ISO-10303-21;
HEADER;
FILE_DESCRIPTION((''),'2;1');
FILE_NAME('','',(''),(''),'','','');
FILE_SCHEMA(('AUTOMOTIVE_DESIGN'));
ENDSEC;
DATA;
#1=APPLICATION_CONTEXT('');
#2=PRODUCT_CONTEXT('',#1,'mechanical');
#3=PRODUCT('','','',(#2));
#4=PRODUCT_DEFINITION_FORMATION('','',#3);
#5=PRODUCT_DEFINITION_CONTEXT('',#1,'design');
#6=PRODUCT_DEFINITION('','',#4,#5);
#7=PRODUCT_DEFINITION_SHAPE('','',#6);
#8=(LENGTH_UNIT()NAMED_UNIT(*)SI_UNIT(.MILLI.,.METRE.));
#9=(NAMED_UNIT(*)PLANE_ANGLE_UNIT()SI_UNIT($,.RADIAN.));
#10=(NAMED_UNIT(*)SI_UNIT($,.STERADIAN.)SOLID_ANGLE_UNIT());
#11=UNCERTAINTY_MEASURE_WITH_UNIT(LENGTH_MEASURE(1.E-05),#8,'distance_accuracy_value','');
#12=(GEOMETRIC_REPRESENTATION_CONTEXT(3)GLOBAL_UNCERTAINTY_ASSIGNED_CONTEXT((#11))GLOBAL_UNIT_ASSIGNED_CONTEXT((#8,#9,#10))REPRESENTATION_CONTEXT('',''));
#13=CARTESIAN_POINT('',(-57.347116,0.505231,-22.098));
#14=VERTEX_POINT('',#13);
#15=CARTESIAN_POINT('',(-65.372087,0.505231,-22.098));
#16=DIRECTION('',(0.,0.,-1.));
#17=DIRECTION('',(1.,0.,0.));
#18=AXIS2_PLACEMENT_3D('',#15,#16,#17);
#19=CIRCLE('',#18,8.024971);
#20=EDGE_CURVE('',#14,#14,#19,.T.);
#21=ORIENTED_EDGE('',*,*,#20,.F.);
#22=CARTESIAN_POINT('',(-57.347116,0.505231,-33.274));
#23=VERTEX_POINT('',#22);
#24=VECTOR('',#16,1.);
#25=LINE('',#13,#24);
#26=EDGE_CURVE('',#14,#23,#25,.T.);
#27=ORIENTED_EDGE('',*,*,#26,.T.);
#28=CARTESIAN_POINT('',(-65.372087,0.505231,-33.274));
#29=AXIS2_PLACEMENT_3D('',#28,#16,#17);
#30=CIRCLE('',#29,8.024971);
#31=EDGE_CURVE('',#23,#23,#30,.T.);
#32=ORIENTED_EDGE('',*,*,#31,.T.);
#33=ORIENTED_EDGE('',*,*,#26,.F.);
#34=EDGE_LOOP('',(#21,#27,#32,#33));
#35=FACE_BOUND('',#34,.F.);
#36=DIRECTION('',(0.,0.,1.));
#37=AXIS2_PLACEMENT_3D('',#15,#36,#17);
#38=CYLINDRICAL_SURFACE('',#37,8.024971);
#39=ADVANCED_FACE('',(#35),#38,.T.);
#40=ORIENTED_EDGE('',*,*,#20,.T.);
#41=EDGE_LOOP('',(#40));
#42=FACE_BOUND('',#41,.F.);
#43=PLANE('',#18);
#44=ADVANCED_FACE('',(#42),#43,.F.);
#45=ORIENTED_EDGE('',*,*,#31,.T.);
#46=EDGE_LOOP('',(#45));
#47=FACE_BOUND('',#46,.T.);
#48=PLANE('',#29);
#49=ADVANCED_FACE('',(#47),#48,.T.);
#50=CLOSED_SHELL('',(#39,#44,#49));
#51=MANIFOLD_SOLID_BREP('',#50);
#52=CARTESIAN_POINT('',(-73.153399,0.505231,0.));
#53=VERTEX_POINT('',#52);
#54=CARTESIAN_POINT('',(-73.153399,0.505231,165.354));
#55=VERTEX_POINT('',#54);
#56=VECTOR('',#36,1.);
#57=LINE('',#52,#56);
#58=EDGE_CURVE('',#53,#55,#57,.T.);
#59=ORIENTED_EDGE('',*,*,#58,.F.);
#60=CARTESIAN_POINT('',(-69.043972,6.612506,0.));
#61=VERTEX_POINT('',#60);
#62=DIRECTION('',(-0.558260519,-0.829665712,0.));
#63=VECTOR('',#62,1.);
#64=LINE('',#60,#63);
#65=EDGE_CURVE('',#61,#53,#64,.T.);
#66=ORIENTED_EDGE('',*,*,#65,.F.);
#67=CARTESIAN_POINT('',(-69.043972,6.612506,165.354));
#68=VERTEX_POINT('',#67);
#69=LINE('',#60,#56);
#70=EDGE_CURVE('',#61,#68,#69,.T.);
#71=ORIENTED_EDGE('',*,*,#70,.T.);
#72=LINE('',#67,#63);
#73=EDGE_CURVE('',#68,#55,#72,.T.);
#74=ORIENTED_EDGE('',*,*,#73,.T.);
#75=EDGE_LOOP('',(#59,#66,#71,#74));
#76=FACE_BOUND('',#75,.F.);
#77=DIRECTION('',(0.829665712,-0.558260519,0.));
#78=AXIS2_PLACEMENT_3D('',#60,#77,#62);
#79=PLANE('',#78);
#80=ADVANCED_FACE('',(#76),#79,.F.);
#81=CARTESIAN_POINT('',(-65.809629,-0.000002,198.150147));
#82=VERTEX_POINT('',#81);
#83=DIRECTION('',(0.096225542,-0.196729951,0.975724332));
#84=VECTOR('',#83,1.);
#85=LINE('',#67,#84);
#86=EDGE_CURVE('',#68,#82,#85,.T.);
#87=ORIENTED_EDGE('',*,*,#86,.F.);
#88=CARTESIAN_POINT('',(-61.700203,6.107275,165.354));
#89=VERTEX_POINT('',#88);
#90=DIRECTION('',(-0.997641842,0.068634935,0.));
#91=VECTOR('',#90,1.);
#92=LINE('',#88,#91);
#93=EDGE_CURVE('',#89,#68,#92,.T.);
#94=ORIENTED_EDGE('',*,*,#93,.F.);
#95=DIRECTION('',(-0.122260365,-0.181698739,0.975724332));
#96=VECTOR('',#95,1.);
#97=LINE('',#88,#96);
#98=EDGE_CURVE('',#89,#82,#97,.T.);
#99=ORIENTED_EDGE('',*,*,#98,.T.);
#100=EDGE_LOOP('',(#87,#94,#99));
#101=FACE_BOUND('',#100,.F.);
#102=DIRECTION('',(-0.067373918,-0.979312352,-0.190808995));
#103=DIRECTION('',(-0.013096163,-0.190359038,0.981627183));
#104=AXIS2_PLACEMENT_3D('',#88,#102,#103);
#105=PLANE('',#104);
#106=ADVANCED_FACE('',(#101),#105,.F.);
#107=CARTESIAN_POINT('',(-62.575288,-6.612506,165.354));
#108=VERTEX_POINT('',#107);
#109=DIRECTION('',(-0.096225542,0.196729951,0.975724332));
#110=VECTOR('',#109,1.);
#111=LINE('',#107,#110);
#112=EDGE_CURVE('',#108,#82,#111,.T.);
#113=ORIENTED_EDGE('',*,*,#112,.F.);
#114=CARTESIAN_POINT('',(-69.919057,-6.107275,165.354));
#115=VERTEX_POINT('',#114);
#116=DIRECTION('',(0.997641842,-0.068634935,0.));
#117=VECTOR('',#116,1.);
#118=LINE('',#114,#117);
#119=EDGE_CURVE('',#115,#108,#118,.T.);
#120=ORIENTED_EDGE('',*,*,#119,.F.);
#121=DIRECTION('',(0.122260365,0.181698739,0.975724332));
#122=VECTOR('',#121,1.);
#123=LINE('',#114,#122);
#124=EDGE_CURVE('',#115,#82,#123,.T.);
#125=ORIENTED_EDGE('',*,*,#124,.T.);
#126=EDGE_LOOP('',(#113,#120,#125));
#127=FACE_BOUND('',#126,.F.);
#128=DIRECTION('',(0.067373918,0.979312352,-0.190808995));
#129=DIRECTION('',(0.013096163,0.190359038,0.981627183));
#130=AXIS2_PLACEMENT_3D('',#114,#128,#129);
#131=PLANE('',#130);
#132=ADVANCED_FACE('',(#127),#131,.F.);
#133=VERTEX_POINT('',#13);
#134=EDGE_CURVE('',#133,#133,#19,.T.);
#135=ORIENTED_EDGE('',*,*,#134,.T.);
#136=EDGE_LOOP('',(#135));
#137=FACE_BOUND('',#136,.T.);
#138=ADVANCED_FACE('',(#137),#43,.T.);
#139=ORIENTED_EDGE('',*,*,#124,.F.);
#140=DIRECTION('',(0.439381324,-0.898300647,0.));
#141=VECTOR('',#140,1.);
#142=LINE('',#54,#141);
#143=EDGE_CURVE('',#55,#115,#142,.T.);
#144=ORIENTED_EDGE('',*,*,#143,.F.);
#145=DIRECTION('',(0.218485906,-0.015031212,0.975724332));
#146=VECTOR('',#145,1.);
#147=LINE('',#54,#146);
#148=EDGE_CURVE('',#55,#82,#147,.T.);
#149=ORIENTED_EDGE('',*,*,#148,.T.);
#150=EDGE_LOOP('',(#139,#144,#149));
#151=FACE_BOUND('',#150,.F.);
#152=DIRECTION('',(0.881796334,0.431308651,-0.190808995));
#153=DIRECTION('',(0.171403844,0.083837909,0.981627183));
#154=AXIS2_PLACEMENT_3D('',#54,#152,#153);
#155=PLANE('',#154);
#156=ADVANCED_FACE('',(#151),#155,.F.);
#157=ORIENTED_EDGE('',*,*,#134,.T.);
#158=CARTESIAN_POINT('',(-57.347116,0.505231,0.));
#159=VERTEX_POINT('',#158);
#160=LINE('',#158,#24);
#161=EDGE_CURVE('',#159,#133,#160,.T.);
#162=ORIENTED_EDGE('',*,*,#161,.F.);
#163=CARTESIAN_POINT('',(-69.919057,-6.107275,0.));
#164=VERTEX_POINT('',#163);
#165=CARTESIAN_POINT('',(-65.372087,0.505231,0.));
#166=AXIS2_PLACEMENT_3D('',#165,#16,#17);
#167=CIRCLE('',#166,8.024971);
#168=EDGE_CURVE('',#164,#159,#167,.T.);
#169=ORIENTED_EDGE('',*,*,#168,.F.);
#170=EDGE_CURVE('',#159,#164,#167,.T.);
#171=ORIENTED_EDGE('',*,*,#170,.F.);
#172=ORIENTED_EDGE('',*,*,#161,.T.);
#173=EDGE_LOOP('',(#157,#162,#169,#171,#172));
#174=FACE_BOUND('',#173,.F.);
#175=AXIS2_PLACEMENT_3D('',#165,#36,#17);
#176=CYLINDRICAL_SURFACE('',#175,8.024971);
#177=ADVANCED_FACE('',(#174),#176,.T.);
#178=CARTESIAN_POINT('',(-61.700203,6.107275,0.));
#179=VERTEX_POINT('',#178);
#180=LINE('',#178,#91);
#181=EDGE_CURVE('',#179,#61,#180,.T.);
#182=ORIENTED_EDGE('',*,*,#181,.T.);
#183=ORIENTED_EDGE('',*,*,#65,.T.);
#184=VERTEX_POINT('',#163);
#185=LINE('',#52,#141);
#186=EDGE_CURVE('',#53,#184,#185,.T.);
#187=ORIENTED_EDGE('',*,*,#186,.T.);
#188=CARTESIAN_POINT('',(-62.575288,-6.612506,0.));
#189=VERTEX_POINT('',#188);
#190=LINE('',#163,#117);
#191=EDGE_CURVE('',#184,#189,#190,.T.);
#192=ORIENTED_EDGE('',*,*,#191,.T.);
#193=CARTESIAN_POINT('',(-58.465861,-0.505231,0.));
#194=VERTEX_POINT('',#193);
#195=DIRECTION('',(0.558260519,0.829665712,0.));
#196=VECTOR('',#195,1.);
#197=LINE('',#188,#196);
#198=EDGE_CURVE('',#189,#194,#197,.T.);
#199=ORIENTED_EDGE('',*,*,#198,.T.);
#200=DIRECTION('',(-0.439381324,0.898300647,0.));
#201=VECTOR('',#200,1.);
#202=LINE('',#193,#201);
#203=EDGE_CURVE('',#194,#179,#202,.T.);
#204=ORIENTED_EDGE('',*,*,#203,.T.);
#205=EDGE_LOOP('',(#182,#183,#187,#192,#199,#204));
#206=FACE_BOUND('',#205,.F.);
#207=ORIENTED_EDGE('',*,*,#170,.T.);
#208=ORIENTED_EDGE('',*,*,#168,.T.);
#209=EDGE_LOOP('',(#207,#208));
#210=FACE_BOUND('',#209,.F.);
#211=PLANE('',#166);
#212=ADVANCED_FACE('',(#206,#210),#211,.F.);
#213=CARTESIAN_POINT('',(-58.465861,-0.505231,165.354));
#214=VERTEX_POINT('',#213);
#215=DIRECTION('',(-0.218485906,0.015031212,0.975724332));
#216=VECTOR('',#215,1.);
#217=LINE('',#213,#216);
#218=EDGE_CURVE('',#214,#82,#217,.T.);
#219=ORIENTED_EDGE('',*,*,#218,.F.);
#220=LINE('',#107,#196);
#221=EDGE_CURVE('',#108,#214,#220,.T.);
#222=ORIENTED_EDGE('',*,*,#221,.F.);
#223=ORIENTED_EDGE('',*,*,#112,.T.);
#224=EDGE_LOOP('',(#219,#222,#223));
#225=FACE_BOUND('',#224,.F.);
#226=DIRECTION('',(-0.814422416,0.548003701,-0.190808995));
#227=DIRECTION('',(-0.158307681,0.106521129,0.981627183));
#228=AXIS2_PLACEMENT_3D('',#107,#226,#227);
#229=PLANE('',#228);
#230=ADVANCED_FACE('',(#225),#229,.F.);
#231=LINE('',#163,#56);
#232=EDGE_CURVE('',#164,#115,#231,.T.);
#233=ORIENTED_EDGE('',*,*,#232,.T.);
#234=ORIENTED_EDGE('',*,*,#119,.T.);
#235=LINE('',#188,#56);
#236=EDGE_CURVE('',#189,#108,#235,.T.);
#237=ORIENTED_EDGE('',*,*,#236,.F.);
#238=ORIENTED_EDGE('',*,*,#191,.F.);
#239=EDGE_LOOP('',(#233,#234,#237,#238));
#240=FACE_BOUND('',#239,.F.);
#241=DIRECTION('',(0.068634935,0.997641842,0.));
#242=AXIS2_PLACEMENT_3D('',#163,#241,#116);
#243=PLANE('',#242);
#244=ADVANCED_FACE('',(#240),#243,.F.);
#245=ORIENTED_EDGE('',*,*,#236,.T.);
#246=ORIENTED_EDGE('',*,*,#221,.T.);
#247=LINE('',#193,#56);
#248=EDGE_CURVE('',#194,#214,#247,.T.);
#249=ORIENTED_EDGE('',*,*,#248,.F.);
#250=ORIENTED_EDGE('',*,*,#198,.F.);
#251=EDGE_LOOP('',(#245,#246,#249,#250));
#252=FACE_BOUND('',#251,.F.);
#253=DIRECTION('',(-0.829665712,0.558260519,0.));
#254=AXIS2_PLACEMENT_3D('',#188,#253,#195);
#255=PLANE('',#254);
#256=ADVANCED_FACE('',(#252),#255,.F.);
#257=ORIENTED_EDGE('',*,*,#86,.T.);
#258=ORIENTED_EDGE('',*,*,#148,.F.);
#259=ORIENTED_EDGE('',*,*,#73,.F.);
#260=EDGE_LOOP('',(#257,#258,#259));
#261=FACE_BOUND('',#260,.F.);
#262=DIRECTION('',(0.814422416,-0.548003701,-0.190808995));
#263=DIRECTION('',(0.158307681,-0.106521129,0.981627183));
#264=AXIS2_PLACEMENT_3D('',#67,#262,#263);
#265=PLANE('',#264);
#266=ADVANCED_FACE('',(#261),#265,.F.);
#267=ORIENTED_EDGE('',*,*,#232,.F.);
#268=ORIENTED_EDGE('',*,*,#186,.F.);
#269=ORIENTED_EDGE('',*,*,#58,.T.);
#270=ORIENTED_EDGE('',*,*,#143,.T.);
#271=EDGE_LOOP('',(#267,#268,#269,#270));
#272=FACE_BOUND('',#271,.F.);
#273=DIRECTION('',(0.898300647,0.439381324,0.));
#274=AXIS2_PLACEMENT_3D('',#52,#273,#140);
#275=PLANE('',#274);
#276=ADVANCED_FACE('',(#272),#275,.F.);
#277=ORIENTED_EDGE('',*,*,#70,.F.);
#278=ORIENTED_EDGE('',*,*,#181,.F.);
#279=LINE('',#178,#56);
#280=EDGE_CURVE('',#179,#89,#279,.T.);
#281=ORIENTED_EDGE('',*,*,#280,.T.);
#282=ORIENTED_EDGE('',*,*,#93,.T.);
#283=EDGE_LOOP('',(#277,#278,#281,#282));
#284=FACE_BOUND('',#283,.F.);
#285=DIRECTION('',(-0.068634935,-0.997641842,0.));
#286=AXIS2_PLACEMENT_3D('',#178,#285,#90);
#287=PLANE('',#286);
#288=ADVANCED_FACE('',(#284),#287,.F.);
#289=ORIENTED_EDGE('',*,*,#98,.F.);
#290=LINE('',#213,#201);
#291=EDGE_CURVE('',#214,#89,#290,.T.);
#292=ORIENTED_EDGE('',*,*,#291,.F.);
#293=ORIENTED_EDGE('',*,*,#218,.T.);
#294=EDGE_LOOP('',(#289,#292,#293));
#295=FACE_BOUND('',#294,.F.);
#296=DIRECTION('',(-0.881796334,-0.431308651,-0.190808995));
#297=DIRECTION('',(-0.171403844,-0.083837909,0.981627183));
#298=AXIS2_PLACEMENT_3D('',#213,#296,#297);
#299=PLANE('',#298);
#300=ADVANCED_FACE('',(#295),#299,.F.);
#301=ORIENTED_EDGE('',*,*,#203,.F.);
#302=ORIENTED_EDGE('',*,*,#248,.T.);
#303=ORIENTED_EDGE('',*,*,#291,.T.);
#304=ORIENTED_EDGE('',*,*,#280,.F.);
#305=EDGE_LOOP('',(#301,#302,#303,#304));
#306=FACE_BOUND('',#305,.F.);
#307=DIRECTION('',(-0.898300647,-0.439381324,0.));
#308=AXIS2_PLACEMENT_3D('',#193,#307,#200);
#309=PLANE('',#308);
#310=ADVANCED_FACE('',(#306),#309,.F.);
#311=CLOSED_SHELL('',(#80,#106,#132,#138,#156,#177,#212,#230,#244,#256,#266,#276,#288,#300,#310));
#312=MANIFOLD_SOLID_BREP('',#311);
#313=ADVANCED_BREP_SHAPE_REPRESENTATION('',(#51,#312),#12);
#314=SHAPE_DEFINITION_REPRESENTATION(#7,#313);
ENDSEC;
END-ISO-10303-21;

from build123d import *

# Parameters (mm, degrees)
F1_DEPTH = 165.354
F2_R     = 8.0249710932
F3_DEPTH = 22.098
F4_DEPTH = 34.544
F4_TAPER = 11
F5_R     = 8.0249710932
F6_DEPTH = 11.176


with BuildPart() as f1:
    # F0 (on Top) → F1 (new body)
    with BuildSketch(Plane.XY):
        Polygon((-62.5752878926, -6.6125056397), (-58.4658610084, -0.5052305136), (-61.7002029734, 6.107275126), (-69.0439718225, 6.6125056397), (-73.1533987067, 0.5052305136), (-69.9190567417, -6.107275126), align=None)
    extrude(amount=F1_DEPTH)

    # F2 (on face) → F3 (join)
    with BuildSketch(Plane(origin=(0, 0, 0), x_dir=(1, 0, 0), z_dir=(0, 0, -1))):
        with Locations((-65.372087398, -0.5052305136)):
            Circle(F2_R)
    extrude(amount=F3_DEPTH)

    # F1_face1 (on face) → F4 (join)
    with BuildSketch(Plane(origin=(-65.8096298575, 0, 165.354), x_dir=(1, 0, 0), z_dir=(0, 0, 1))):
        Polygon((-7.3437688491, 0.5052305136), (-4.1094268841, -6.107275126), (3.234341965, -6.6125056397), (7.3437688491, -0.5052305136), (4.1094268841, 6.107275126), (-3.234341965, 6.6125056397), align=None)
    extrude(amount=F4_DEPTH, taper=F4_TAPER)


with BuildPart() as f6:
    # F5 (on face) → F6 (new body)
    with BuildSketch(Plane(origin=(0, 0, -22.098), x_dir=(1, 0, 0), z_dir=(0, 0, -1))):
        with Locations((-65.372087398, -0.5052305136)):
            Circle(F5_R)
    extrude(amount=F6_DEPTH)


solid = Compound([f1.part, f6.part])
